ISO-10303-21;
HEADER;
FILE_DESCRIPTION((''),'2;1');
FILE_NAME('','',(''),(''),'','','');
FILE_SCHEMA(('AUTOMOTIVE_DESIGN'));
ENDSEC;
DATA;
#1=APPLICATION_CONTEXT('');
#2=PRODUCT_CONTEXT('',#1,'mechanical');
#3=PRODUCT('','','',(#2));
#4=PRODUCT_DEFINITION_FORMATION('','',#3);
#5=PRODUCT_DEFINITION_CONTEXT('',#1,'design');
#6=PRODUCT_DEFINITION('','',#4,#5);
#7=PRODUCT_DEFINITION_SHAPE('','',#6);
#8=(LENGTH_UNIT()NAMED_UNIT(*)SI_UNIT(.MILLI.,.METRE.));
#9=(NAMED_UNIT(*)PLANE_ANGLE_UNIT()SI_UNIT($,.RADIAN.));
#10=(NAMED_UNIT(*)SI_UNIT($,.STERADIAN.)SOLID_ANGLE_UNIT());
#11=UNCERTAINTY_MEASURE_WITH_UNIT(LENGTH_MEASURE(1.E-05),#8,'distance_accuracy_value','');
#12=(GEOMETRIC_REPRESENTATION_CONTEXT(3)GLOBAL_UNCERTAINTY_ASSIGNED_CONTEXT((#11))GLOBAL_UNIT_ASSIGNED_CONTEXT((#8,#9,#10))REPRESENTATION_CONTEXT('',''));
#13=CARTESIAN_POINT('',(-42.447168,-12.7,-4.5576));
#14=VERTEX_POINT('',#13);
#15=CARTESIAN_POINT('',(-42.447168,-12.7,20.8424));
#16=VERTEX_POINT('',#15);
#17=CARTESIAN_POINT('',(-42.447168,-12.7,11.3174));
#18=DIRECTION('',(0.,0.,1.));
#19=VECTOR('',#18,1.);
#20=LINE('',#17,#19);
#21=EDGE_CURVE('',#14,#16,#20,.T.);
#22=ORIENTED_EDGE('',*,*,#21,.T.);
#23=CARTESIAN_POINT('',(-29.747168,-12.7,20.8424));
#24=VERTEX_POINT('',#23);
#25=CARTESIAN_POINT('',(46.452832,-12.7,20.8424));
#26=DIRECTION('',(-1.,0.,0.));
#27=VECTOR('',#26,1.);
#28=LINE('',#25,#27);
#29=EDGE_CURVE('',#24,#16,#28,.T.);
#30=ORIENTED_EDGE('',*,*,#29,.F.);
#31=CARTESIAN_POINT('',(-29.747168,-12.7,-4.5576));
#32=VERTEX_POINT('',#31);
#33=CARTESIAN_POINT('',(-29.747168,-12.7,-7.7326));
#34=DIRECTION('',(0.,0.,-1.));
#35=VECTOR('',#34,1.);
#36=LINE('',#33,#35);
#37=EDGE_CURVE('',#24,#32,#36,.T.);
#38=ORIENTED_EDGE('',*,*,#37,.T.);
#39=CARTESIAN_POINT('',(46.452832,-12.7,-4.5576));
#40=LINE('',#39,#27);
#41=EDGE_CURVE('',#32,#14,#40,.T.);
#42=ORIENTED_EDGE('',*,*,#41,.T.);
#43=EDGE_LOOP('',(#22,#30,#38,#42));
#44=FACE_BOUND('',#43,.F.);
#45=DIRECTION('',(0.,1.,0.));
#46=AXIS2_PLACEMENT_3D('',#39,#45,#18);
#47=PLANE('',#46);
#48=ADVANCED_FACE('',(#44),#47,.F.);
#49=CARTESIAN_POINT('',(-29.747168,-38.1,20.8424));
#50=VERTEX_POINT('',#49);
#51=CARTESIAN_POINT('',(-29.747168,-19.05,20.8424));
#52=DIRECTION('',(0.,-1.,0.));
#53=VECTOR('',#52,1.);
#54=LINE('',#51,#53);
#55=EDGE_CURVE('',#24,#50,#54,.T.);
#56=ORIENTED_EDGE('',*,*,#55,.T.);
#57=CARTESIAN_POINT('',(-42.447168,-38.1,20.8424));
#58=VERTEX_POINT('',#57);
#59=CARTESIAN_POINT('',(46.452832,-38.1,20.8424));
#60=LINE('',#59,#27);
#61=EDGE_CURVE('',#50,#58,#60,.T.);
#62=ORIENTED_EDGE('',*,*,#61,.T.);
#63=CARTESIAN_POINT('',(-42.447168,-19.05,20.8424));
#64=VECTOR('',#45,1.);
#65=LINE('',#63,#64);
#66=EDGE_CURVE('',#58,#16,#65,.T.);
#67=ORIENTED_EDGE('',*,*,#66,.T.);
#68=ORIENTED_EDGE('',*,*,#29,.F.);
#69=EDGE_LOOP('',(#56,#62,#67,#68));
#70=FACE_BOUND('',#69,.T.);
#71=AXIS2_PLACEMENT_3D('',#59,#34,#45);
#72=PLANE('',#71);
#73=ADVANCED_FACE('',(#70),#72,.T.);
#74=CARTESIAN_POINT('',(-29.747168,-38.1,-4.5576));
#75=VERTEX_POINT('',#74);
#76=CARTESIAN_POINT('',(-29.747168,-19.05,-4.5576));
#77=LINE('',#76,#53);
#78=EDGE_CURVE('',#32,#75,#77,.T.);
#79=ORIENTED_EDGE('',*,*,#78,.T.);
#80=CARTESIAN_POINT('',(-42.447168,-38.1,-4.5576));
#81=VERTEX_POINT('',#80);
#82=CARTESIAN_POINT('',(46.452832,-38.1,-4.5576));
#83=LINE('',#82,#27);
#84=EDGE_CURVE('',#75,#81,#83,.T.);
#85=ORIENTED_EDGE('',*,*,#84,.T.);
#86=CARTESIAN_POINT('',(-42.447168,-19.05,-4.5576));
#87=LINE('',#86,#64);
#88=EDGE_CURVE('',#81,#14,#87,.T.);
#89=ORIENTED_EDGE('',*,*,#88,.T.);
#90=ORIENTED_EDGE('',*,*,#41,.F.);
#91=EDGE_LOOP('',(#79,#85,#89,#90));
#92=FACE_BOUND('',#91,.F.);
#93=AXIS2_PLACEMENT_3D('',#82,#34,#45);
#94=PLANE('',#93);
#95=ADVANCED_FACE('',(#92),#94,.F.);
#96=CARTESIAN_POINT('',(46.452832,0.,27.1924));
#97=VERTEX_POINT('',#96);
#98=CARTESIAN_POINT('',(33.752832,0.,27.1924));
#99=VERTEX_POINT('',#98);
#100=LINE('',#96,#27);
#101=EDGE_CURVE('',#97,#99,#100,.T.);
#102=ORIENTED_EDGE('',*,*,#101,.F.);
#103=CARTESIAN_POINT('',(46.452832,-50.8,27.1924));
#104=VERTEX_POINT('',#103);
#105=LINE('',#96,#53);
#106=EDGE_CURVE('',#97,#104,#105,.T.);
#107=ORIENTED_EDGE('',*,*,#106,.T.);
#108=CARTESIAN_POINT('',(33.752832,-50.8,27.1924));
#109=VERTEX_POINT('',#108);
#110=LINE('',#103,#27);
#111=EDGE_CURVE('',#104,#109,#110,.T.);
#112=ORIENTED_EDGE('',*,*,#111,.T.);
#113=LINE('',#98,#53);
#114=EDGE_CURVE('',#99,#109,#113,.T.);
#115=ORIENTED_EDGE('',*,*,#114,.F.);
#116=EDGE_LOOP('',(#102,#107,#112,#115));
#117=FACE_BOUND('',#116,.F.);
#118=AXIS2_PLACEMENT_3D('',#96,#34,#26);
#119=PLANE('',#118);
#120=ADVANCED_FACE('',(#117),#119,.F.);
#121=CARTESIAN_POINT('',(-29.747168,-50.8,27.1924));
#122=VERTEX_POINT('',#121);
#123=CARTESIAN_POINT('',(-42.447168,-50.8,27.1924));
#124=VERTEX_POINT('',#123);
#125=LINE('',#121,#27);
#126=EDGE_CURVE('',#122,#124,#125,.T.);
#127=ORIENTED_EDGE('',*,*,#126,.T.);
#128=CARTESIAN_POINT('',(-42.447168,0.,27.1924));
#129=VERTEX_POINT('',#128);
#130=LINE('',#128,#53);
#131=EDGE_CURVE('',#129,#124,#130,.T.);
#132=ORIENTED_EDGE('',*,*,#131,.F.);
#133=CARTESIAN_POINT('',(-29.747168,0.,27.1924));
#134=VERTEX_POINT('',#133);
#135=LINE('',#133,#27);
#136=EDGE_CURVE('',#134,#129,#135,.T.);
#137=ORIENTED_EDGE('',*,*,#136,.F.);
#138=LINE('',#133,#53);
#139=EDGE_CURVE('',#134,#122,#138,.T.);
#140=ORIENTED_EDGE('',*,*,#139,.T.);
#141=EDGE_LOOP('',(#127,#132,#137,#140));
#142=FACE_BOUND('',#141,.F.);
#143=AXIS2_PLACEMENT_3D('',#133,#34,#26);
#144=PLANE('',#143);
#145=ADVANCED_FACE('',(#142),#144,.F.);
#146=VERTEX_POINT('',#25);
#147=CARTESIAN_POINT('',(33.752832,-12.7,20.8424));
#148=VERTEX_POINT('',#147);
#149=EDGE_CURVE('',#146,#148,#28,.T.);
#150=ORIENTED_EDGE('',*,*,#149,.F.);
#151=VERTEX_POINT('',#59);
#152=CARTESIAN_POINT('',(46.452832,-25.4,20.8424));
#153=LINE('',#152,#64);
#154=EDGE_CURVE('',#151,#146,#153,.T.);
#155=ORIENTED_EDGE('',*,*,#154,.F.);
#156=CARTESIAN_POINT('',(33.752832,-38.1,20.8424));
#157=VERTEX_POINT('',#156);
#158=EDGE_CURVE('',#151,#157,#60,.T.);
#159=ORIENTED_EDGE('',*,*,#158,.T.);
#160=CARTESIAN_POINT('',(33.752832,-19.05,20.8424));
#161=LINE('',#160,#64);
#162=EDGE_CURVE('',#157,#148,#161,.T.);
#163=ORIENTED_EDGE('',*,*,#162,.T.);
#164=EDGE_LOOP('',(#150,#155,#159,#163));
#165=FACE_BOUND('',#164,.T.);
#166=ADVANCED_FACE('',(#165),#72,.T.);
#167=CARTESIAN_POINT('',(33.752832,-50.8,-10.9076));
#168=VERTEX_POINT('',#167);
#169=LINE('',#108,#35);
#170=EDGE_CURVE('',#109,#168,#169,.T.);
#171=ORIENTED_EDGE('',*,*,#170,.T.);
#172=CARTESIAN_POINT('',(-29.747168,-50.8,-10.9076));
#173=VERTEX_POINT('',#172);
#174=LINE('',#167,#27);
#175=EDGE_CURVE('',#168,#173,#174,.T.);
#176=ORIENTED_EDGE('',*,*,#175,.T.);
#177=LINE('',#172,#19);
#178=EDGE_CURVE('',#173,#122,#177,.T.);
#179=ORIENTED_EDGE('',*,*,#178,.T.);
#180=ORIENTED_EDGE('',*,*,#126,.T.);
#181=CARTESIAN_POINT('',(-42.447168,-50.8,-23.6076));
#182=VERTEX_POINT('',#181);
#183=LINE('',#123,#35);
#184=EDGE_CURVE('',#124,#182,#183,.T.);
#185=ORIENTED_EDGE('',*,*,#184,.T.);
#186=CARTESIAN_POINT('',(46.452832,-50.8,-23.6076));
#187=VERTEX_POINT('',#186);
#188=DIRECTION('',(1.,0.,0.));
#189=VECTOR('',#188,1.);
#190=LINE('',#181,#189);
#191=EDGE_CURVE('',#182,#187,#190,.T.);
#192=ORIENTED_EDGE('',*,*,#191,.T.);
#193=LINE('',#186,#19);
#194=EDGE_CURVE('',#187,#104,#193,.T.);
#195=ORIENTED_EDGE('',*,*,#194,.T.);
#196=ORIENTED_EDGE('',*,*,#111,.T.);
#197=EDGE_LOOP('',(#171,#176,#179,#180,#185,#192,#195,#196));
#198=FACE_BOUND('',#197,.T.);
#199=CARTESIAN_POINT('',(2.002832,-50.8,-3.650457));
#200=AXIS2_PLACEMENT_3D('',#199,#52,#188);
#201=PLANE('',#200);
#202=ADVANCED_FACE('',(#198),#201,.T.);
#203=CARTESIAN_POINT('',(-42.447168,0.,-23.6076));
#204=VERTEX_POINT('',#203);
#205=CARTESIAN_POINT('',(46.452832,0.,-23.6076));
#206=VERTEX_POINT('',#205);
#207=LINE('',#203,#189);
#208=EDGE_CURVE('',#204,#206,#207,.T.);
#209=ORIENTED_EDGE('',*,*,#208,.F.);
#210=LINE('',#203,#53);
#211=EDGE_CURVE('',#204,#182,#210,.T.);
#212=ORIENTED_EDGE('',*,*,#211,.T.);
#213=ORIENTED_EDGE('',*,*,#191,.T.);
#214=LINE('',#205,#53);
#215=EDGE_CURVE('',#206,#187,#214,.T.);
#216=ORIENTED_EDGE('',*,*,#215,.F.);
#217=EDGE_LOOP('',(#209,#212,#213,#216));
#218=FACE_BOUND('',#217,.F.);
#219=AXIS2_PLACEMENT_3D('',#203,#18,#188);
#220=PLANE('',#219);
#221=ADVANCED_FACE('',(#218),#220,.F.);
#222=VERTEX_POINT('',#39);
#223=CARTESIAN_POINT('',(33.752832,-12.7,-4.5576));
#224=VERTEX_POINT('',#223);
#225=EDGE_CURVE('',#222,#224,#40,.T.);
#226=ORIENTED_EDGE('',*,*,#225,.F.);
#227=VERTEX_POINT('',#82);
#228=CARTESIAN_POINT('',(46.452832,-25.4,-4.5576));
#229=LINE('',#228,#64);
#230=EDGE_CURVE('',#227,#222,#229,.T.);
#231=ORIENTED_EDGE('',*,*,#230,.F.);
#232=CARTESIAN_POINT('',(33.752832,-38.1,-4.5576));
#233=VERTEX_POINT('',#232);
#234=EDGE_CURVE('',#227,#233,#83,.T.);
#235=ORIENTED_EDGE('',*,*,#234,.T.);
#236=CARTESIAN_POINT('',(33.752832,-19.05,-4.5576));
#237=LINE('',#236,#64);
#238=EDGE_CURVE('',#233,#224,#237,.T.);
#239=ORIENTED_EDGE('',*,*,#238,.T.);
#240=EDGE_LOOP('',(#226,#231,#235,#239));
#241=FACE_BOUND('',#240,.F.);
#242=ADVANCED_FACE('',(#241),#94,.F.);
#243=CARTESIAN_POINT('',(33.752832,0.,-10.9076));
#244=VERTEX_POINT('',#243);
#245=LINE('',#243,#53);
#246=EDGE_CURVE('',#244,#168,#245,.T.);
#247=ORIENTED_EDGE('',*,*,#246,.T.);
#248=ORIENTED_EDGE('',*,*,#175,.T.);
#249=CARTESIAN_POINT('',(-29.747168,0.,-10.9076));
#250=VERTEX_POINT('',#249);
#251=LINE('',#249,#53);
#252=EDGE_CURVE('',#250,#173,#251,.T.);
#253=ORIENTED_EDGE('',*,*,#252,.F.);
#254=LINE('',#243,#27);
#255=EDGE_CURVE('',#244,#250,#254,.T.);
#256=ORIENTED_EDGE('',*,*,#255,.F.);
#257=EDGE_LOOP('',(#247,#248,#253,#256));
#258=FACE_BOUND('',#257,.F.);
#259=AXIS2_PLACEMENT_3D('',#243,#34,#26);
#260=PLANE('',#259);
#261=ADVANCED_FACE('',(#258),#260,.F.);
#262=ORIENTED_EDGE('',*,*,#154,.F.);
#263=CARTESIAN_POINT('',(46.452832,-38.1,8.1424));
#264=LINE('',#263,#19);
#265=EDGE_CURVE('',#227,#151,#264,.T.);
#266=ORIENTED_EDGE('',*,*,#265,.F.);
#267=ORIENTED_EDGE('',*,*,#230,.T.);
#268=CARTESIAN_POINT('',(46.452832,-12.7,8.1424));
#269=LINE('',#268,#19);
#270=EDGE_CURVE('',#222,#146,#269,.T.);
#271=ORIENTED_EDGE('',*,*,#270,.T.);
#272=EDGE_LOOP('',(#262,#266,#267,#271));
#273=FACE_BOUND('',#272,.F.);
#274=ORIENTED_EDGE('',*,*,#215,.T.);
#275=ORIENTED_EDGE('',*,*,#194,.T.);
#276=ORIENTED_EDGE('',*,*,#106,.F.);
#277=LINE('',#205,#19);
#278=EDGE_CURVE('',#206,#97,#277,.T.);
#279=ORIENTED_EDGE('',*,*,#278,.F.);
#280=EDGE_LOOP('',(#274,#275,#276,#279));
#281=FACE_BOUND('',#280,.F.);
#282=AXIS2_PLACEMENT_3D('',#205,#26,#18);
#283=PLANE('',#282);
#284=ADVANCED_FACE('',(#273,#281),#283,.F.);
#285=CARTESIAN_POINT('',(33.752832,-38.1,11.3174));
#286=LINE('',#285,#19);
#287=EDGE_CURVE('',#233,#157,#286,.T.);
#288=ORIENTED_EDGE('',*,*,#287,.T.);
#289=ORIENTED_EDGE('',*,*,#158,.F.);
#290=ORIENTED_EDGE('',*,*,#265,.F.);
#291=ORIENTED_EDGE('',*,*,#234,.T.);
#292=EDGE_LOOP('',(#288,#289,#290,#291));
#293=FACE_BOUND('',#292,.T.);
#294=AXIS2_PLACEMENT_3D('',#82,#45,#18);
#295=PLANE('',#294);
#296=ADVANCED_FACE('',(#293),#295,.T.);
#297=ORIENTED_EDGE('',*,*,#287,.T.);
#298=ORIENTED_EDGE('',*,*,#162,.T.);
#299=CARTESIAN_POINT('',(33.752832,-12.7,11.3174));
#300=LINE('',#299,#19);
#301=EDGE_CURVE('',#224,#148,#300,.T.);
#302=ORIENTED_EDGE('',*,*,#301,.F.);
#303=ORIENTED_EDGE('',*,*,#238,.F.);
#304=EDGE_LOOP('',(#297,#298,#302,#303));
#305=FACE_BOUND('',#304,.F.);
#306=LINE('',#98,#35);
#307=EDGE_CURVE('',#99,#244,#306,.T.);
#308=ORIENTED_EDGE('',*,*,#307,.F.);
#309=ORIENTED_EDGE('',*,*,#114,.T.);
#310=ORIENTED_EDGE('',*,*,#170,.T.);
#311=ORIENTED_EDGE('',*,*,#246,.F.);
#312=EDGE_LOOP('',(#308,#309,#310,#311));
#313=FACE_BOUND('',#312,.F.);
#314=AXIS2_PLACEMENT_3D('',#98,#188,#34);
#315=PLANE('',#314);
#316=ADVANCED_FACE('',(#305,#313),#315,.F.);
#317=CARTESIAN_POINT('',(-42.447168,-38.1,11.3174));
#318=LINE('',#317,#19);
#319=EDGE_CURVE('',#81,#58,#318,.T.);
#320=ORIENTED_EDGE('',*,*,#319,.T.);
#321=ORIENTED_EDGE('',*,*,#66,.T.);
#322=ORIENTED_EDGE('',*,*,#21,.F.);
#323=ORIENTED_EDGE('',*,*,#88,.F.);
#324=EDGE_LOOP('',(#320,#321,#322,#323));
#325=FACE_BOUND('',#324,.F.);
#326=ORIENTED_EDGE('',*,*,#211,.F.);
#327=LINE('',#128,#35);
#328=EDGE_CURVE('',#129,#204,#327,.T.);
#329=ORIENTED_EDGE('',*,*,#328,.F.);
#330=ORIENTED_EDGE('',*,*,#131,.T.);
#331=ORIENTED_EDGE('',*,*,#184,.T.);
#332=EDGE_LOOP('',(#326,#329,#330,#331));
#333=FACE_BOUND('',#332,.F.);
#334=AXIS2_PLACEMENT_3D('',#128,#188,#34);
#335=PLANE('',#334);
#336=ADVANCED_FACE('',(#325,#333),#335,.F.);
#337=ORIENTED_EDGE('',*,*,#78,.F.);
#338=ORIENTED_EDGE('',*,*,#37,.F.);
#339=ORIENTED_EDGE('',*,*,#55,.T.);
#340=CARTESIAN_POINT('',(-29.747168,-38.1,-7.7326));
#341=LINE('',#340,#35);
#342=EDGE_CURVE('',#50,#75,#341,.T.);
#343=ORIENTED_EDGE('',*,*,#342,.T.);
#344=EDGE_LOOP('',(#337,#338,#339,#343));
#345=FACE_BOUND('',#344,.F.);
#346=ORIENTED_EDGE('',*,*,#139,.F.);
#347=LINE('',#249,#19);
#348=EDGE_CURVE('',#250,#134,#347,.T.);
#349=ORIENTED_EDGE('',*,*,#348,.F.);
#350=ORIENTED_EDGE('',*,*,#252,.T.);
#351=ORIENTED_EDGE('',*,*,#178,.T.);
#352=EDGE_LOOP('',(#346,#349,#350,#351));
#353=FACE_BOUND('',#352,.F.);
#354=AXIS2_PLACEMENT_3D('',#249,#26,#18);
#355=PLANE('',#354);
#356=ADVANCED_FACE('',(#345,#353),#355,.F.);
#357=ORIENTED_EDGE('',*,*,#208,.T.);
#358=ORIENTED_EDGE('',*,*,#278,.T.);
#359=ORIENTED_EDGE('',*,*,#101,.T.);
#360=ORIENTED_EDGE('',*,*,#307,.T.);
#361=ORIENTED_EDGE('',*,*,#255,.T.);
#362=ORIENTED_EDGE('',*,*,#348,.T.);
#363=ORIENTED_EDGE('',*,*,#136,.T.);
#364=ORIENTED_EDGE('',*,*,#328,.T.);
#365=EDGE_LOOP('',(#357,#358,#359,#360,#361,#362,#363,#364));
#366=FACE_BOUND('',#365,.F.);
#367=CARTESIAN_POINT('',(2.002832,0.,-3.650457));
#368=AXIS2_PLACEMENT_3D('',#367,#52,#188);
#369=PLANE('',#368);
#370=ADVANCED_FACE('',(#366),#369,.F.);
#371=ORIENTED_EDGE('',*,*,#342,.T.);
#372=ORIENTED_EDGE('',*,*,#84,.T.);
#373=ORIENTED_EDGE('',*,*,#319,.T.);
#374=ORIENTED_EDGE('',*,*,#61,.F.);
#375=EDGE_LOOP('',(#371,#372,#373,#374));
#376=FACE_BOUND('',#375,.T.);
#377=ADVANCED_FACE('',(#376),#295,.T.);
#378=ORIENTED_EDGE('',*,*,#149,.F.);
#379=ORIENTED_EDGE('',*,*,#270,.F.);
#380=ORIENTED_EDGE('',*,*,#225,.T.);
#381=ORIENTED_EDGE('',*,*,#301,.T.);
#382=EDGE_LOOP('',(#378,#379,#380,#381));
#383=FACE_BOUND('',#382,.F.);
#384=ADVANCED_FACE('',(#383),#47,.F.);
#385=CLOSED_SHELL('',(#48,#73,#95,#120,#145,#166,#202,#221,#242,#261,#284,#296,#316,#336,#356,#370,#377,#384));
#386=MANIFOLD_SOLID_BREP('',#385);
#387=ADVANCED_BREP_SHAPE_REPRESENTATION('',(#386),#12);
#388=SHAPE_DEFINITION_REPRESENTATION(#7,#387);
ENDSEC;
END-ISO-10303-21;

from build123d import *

# Parameters (mm, degrees)
F1_DEPTH = 50.8
F2_W     = 25.4
F2_H     = 25.4
F3_DEPTH = 88.901


with BuildPart() as f1:
    # F0 (on Front) → F1 (new body)
    with BuildSketch(Plane.XZ):
        Polygon((-29.747168, 27.1924), (-42.447168, 27.1924), (-42.447168, -23.6076), (46.452832, -23.6076), (46.452832, 27.1924), (33.752832, 27.1924), (33.752832, -10.9076), (-29.747168, -10.9076), align=None)
    extrude(amount=F1_DEPTH)

    # F2 (on face) → F3 (cut, through all)
    with BuildSketch(Plane.YZ.offset(46.452832)):
        with Locations((-25.4, 8.1424)):
            Rectangle(F2_W, F2_H)
    extrude(amount=-F3_DEPTH, mode=Mode.SUBTRACT)


solid = f1.part
